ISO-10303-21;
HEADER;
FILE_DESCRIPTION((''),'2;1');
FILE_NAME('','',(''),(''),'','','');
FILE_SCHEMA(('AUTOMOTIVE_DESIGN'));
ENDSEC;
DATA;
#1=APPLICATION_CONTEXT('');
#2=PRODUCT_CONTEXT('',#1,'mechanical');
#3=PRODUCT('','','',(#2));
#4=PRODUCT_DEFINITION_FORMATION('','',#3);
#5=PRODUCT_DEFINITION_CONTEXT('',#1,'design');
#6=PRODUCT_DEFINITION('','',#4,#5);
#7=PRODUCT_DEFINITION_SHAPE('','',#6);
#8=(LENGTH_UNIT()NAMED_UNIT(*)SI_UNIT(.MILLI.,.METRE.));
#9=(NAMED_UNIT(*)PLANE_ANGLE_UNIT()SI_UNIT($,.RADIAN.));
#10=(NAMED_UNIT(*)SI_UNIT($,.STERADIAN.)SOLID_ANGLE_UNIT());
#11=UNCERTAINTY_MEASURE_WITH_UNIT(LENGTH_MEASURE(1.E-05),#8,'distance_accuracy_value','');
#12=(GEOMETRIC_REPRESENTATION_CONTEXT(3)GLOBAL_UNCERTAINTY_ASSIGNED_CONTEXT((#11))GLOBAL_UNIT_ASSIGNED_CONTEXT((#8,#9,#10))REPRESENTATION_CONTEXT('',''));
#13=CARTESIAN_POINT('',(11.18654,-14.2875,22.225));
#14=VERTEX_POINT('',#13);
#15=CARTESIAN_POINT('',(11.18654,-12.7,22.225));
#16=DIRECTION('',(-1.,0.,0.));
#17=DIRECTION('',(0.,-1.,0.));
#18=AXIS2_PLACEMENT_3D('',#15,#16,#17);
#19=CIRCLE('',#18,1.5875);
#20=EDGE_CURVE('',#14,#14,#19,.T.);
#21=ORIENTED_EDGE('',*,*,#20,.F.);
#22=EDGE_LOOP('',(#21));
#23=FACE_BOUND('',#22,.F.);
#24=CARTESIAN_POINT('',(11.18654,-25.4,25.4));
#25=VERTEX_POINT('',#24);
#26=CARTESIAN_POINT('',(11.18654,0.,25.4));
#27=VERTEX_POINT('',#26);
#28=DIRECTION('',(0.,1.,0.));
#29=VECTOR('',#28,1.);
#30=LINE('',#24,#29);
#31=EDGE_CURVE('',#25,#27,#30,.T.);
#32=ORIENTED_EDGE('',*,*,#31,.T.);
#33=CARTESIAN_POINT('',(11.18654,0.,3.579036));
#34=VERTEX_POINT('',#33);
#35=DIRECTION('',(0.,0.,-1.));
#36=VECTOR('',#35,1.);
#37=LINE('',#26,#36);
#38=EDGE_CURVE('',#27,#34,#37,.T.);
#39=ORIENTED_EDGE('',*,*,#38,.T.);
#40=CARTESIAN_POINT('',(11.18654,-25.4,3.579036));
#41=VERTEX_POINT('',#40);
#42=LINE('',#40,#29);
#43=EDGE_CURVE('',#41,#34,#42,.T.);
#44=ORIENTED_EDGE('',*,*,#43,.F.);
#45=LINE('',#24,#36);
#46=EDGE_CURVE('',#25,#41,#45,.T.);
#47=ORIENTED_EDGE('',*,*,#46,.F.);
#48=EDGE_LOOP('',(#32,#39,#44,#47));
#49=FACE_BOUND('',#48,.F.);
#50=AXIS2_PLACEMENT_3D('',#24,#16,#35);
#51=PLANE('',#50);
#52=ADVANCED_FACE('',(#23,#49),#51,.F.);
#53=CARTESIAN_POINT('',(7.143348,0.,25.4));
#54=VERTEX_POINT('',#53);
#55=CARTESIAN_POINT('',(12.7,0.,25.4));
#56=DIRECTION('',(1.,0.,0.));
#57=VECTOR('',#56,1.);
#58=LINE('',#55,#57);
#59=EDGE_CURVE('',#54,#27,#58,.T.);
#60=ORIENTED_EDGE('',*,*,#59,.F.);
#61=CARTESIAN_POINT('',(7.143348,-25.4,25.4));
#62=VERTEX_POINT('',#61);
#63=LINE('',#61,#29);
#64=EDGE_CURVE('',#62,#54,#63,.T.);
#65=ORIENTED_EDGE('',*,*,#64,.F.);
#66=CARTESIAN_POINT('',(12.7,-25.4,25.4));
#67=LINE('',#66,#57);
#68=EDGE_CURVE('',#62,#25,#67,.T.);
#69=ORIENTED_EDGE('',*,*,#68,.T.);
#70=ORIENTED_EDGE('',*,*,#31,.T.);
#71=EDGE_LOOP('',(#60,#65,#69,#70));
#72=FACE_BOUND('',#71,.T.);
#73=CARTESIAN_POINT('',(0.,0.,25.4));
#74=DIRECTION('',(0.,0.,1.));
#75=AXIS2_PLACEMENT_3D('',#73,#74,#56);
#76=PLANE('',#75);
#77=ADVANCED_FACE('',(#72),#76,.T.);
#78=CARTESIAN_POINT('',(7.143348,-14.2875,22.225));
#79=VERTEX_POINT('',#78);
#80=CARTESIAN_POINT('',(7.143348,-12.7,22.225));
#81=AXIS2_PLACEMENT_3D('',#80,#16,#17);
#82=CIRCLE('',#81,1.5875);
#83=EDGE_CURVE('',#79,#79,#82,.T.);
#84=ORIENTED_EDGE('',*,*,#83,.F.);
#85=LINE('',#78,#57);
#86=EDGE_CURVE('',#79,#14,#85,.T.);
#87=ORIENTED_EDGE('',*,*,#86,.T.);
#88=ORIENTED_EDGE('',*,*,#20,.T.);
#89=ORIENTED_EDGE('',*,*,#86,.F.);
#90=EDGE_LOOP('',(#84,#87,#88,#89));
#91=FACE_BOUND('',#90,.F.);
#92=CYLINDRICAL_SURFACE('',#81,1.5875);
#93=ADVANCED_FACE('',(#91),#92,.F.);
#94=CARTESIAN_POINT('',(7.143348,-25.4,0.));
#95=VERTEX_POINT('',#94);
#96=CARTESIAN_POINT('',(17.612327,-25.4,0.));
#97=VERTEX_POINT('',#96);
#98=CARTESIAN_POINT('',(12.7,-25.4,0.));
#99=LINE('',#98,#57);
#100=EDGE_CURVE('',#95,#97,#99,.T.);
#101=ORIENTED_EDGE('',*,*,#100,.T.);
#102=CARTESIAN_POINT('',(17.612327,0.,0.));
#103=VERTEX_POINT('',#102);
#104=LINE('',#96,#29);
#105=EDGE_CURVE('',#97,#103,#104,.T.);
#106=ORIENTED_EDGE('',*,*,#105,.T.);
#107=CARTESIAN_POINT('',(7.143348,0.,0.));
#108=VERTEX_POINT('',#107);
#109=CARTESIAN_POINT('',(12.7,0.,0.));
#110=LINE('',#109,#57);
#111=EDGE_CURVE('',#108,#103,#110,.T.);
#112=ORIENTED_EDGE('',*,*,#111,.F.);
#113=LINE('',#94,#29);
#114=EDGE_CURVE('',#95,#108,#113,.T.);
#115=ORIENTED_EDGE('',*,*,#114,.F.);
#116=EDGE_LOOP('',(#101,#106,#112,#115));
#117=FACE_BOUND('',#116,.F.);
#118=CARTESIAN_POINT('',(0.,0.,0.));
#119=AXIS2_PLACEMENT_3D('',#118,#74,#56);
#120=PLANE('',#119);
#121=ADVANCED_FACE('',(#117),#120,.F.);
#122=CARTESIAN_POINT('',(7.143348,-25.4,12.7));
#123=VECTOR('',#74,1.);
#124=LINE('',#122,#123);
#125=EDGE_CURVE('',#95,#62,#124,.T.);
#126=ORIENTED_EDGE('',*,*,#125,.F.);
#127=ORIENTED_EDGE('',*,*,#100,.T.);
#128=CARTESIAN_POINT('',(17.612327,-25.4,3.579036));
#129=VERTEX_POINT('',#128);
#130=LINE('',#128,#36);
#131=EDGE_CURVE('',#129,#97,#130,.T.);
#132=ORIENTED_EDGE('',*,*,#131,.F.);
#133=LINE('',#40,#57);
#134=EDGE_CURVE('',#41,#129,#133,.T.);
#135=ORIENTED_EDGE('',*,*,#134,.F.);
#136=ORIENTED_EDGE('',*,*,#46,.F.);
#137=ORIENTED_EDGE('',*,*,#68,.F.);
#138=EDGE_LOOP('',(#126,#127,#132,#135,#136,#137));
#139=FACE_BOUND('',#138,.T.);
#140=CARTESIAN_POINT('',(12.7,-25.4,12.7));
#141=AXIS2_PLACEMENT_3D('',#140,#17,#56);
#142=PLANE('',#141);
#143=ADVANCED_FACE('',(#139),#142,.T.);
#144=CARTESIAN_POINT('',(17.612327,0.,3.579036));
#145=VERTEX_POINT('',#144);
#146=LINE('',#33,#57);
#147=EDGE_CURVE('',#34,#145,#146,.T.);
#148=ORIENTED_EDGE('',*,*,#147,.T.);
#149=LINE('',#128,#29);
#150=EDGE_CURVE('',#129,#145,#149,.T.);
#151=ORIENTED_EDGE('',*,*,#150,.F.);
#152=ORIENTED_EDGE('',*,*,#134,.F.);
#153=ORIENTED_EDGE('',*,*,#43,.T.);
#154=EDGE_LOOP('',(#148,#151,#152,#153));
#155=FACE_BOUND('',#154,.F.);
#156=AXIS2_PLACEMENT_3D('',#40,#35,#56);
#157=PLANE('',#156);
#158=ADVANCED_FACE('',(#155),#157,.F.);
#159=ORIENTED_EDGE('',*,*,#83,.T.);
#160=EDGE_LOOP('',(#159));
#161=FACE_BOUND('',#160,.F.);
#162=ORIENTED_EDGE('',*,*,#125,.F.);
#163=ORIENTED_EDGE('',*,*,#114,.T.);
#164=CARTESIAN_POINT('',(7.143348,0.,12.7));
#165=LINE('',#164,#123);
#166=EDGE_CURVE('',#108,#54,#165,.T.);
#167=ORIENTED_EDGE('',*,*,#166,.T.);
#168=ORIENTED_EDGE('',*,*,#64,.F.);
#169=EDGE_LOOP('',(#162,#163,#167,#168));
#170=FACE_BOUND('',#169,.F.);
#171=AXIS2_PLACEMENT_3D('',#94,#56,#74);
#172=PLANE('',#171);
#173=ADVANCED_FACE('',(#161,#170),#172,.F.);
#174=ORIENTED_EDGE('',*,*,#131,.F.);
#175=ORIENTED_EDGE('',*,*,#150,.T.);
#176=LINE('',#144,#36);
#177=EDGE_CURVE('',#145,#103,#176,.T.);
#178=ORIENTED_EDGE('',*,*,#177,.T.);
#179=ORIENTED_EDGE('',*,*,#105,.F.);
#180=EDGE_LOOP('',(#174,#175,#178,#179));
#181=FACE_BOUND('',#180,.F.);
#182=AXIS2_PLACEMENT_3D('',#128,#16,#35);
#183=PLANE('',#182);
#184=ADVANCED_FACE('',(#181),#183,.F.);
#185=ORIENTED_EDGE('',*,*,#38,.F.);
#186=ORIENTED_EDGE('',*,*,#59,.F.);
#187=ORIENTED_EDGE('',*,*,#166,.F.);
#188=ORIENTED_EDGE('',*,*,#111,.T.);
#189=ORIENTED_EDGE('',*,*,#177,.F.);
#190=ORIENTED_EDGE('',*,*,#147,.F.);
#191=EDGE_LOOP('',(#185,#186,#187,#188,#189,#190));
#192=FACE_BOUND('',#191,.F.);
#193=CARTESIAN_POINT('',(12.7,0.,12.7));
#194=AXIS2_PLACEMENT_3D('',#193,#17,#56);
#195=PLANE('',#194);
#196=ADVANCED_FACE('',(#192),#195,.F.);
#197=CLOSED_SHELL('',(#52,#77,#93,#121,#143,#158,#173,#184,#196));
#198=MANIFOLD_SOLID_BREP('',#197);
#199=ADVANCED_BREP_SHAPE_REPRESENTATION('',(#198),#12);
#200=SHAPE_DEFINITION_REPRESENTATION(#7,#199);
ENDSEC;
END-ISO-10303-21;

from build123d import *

# Parameters (mm, degrees)
F0_W     = 25.4
F0_H     = 25.4
F1_DEPTH = 25.4
F2_W     = 7.143348
F2_H     = 25.4
F3_DEPTH = 25.4
F4_R     = 1.5875
F5_DEPTH = 25.4


with BuildPart() as f1:
    # F0 (on Front) → F1 (new body)
    with BuildSketch(Plane.XZ):
        with Locations((12.7, 12.7)):
            Rectangle(F0_W, F0_H)
    extrude(amount=F1_DEPTH)

    # F2 (on face) → F3 (cut)
    with BuildSketch(Plane.XZ.offset(25.4)):
        with Locations((3.571674, 12.7)):
            Rectangle(F2_W, F2_H)
        Polygon((25.4, 25.4), (11.18654, 25.4), (11.18654, 3.579036), (17.612327, 3.579036), (17.612327, 0), (25.4, 0), align=None)
    extrude(amount=-F3_DEPTH, mode=Mode.SUBTRACT)

    # F4 (on face) → F5 (cut)
    with BuildSketch(Plane(origin=(7.143348, 0, 0), x_dir=(0, -1, 0), z_dir=(-1, 0, 0))):
        with Locations((12.7, 22.225)):
            Circle(F4_R)
    extrude(amount=-F5_DEPTH, mode=Mode.SUBTRACT)


solid = f1.part
